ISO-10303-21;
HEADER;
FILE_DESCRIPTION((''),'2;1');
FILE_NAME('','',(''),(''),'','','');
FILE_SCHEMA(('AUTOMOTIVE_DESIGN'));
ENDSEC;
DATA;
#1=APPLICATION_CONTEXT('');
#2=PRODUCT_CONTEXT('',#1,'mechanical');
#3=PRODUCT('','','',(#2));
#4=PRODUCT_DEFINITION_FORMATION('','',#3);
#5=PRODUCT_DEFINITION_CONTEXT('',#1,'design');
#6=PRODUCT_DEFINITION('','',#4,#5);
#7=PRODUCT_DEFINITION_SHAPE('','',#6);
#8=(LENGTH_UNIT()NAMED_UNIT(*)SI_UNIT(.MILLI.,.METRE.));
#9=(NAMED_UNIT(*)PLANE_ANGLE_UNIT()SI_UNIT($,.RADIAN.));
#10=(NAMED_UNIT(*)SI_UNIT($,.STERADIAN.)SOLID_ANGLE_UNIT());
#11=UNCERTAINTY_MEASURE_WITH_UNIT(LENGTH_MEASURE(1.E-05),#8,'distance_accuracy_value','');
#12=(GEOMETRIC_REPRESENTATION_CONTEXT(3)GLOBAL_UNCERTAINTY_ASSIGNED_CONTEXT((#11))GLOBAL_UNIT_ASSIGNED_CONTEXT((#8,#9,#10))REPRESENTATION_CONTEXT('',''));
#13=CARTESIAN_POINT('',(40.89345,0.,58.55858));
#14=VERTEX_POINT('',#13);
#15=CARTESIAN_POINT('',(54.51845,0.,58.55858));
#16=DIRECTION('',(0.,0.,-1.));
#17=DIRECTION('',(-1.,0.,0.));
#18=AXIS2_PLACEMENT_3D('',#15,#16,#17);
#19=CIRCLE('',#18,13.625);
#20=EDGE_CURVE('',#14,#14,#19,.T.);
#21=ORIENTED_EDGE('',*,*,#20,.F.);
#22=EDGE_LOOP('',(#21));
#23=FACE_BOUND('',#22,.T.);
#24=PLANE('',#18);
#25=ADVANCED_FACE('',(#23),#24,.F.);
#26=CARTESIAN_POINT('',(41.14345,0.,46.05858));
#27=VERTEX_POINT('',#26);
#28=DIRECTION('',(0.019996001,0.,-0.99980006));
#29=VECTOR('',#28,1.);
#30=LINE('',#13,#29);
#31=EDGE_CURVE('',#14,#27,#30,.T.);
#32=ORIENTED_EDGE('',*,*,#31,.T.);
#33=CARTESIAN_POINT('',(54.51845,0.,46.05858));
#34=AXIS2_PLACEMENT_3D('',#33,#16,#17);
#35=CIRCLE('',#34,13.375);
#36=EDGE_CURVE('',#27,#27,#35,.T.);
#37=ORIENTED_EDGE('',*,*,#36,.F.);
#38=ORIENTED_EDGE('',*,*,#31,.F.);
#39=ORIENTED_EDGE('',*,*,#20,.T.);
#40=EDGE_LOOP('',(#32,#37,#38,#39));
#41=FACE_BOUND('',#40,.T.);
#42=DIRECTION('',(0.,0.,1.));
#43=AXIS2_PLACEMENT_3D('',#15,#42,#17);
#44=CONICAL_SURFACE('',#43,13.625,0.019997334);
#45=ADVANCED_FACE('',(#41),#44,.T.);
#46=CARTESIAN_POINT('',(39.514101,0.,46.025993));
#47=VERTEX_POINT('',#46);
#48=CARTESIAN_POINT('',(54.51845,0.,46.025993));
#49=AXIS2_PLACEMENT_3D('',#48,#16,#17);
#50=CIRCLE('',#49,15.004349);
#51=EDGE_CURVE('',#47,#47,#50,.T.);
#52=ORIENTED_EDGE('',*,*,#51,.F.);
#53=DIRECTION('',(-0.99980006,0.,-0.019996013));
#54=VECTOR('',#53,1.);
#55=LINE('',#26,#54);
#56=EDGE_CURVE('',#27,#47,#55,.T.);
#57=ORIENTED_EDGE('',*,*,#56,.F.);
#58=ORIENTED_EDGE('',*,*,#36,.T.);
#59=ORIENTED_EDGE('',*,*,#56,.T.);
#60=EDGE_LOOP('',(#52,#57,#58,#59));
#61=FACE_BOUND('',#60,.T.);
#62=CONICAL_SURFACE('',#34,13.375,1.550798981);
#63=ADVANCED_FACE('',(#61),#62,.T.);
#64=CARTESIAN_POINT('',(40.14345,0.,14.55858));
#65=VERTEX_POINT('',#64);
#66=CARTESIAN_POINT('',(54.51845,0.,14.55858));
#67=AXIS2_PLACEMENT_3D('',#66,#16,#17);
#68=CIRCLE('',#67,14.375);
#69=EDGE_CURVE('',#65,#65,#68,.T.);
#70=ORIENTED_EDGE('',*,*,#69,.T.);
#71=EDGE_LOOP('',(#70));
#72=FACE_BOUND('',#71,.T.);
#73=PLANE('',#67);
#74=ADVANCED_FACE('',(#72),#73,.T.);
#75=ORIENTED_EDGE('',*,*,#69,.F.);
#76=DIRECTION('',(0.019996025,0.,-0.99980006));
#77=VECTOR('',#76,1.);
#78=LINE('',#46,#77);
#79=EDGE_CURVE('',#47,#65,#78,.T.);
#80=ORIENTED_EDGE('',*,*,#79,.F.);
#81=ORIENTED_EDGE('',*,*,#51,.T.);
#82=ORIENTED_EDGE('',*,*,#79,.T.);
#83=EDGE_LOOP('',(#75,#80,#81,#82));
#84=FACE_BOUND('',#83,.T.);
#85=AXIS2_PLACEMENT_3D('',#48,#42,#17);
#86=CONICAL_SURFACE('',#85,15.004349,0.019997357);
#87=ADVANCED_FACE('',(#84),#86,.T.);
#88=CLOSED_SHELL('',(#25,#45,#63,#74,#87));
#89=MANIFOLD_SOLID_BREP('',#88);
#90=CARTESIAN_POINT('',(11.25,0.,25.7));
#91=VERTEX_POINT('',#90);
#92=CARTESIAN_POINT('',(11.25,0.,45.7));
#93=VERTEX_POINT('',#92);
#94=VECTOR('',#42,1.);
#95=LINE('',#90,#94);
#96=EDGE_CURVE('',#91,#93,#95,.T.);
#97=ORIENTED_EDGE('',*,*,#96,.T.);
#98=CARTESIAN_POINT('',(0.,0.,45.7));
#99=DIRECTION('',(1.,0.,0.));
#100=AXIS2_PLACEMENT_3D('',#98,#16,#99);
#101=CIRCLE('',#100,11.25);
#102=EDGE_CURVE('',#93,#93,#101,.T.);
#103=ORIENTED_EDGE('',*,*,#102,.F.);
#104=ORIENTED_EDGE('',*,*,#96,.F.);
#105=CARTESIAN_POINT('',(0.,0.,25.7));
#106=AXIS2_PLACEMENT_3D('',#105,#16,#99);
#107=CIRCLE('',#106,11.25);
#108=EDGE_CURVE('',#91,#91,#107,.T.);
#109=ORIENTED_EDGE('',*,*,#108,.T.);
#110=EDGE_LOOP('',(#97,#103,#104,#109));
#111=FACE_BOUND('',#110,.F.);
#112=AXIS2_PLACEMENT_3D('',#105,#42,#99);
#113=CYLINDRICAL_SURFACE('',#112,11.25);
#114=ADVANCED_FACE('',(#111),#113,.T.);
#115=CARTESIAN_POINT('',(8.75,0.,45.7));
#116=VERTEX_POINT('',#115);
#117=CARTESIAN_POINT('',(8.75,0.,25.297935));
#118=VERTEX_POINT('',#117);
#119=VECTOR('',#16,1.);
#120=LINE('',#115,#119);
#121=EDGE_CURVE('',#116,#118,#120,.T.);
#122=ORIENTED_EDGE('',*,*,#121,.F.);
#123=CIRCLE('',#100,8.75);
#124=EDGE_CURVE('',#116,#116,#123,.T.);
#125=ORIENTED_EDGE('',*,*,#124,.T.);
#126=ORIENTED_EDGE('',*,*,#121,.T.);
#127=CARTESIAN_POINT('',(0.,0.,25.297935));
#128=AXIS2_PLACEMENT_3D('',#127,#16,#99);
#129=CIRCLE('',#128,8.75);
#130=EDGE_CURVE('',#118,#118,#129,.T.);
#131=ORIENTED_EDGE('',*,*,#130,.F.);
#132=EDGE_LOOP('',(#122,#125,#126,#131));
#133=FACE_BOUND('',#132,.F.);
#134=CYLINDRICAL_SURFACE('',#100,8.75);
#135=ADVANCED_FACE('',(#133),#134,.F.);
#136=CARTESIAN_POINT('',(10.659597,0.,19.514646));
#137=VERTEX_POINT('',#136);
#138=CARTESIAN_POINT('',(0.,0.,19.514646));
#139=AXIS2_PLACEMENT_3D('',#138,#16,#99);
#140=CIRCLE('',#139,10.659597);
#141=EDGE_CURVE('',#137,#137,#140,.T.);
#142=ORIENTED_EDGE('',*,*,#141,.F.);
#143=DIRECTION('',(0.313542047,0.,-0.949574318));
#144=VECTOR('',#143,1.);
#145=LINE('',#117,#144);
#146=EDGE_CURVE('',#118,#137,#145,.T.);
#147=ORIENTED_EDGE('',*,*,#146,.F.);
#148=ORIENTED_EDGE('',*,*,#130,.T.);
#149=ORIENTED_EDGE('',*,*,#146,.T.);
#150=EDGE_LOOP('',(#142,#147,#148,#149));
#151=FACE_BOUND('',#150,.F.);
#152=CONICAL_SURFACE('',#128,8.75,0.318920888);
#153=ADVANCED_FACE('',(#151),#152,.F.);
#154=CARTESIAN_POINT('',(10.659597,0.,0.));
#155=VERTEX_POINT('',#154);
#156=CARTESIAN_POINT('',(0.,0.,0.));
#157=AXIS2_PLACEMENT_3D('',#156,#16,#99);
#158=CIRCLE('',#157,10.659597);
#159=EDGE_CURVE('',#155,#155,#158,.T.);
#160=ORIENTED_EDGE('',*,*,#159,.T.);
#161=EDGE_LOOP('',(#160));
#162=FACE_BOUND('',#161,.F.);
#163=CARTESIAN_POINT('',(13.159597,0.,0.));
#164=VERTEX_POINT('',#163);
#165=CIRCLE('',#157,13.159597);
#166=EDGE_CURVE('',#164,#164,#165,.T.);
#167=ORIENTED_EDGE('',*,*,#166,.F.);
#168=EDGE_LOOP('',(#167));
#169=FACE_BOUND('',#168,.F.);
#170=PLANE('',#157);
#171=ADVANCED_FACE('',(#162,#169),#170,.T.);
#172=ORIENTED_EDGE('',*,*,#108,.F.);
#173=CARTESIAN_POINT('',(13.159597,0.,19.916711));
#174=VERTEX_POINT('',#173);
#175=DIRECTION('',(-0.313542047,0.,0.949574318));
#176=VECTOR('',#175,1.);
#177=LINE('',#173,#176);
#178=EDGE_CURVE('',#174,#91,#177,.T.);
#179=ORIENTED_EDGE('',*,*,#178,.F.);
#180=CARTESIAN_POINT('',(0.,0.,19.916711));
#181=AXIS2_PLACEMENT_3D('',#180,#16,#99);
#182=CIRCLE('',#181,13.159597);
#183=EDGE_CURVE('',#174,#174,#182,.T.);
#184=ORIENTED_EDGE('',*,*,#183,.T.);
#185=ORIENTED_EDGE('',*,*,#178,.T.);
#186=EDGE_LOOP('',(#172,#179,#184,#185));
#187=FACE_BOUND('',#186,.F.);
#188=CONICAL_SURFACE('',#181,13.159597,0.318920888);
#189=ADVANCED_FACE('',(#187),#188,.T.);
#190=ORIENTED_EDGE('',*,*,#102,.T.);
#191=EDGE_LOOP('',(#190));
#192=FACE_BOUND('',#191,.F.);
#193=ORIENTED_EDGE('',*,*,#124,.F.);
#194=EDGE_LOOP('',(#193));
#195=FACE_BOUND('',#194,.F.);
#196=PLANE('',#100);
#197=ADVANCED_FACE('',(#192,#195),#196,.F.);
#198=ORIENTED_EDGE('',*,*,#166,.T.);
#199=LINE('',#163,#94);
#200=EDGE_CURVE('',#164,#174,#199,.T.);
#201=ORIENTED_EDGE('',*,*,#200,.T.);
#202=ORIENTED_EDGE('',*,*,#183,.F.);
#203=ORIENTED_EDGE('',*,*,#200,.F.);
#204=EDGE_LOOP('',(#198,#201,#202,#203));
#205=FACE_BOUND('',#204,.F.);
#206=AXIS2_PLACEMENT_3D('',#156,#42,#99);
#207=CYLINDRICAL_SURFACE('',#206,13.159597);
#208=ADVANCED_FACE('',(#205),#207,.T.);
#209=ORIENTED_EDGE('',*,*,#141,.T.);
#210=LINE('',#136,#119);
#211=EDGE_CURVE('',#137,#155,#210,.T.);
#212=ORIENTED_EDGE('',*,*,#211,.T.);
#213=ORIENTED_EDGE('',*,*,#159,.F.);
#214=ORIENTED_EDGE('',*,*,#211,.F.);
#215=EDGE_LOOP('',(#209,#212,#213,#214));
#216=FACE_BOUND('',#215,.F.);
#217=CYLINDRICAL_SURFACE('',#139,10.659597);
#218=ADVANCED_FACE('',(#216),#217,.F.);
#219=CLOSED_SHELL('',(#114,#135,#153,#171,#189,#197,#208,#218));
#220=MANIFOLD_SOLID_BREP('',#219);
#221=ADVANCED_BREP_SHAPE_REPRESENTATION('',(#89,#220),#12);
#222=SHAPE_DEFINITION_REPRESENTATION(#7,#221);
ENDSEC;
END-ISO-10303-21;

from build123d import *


with BuildPart() as f1:
    # F0 (on Front) → F1 (revolve)
    with BuildSketch(Plane.XZ):
        Polygon((11.25, 25.7), (11.25, 45.7), (8.75, 45.7), (8.75, 25.297935), (10.659597, 19.514646), (10.659597, 0), (13.159597, 0), (13.159597, 19.916711), align=None)
    revolve(axis=Axis((0, 0, 23.68312), (0, 0, -1)))


with BuildPart() as f2:
    # F0 (on Front) → F2 (revolve)
    with BuildSketch(Plane.XZ):
        Polygon((39.514101, 46.025993), (40.14345, 14.55858), (54.51845, 14.55858), (54.51845, 58.55858), (40.89345, 58.55858), (41.14345, 46.05858), align=None)
    revolve(axis=Axis((54.51845, 0, 39.520296), (0, 0, -1)))


solid = Compound([f1.part, f2.part])
